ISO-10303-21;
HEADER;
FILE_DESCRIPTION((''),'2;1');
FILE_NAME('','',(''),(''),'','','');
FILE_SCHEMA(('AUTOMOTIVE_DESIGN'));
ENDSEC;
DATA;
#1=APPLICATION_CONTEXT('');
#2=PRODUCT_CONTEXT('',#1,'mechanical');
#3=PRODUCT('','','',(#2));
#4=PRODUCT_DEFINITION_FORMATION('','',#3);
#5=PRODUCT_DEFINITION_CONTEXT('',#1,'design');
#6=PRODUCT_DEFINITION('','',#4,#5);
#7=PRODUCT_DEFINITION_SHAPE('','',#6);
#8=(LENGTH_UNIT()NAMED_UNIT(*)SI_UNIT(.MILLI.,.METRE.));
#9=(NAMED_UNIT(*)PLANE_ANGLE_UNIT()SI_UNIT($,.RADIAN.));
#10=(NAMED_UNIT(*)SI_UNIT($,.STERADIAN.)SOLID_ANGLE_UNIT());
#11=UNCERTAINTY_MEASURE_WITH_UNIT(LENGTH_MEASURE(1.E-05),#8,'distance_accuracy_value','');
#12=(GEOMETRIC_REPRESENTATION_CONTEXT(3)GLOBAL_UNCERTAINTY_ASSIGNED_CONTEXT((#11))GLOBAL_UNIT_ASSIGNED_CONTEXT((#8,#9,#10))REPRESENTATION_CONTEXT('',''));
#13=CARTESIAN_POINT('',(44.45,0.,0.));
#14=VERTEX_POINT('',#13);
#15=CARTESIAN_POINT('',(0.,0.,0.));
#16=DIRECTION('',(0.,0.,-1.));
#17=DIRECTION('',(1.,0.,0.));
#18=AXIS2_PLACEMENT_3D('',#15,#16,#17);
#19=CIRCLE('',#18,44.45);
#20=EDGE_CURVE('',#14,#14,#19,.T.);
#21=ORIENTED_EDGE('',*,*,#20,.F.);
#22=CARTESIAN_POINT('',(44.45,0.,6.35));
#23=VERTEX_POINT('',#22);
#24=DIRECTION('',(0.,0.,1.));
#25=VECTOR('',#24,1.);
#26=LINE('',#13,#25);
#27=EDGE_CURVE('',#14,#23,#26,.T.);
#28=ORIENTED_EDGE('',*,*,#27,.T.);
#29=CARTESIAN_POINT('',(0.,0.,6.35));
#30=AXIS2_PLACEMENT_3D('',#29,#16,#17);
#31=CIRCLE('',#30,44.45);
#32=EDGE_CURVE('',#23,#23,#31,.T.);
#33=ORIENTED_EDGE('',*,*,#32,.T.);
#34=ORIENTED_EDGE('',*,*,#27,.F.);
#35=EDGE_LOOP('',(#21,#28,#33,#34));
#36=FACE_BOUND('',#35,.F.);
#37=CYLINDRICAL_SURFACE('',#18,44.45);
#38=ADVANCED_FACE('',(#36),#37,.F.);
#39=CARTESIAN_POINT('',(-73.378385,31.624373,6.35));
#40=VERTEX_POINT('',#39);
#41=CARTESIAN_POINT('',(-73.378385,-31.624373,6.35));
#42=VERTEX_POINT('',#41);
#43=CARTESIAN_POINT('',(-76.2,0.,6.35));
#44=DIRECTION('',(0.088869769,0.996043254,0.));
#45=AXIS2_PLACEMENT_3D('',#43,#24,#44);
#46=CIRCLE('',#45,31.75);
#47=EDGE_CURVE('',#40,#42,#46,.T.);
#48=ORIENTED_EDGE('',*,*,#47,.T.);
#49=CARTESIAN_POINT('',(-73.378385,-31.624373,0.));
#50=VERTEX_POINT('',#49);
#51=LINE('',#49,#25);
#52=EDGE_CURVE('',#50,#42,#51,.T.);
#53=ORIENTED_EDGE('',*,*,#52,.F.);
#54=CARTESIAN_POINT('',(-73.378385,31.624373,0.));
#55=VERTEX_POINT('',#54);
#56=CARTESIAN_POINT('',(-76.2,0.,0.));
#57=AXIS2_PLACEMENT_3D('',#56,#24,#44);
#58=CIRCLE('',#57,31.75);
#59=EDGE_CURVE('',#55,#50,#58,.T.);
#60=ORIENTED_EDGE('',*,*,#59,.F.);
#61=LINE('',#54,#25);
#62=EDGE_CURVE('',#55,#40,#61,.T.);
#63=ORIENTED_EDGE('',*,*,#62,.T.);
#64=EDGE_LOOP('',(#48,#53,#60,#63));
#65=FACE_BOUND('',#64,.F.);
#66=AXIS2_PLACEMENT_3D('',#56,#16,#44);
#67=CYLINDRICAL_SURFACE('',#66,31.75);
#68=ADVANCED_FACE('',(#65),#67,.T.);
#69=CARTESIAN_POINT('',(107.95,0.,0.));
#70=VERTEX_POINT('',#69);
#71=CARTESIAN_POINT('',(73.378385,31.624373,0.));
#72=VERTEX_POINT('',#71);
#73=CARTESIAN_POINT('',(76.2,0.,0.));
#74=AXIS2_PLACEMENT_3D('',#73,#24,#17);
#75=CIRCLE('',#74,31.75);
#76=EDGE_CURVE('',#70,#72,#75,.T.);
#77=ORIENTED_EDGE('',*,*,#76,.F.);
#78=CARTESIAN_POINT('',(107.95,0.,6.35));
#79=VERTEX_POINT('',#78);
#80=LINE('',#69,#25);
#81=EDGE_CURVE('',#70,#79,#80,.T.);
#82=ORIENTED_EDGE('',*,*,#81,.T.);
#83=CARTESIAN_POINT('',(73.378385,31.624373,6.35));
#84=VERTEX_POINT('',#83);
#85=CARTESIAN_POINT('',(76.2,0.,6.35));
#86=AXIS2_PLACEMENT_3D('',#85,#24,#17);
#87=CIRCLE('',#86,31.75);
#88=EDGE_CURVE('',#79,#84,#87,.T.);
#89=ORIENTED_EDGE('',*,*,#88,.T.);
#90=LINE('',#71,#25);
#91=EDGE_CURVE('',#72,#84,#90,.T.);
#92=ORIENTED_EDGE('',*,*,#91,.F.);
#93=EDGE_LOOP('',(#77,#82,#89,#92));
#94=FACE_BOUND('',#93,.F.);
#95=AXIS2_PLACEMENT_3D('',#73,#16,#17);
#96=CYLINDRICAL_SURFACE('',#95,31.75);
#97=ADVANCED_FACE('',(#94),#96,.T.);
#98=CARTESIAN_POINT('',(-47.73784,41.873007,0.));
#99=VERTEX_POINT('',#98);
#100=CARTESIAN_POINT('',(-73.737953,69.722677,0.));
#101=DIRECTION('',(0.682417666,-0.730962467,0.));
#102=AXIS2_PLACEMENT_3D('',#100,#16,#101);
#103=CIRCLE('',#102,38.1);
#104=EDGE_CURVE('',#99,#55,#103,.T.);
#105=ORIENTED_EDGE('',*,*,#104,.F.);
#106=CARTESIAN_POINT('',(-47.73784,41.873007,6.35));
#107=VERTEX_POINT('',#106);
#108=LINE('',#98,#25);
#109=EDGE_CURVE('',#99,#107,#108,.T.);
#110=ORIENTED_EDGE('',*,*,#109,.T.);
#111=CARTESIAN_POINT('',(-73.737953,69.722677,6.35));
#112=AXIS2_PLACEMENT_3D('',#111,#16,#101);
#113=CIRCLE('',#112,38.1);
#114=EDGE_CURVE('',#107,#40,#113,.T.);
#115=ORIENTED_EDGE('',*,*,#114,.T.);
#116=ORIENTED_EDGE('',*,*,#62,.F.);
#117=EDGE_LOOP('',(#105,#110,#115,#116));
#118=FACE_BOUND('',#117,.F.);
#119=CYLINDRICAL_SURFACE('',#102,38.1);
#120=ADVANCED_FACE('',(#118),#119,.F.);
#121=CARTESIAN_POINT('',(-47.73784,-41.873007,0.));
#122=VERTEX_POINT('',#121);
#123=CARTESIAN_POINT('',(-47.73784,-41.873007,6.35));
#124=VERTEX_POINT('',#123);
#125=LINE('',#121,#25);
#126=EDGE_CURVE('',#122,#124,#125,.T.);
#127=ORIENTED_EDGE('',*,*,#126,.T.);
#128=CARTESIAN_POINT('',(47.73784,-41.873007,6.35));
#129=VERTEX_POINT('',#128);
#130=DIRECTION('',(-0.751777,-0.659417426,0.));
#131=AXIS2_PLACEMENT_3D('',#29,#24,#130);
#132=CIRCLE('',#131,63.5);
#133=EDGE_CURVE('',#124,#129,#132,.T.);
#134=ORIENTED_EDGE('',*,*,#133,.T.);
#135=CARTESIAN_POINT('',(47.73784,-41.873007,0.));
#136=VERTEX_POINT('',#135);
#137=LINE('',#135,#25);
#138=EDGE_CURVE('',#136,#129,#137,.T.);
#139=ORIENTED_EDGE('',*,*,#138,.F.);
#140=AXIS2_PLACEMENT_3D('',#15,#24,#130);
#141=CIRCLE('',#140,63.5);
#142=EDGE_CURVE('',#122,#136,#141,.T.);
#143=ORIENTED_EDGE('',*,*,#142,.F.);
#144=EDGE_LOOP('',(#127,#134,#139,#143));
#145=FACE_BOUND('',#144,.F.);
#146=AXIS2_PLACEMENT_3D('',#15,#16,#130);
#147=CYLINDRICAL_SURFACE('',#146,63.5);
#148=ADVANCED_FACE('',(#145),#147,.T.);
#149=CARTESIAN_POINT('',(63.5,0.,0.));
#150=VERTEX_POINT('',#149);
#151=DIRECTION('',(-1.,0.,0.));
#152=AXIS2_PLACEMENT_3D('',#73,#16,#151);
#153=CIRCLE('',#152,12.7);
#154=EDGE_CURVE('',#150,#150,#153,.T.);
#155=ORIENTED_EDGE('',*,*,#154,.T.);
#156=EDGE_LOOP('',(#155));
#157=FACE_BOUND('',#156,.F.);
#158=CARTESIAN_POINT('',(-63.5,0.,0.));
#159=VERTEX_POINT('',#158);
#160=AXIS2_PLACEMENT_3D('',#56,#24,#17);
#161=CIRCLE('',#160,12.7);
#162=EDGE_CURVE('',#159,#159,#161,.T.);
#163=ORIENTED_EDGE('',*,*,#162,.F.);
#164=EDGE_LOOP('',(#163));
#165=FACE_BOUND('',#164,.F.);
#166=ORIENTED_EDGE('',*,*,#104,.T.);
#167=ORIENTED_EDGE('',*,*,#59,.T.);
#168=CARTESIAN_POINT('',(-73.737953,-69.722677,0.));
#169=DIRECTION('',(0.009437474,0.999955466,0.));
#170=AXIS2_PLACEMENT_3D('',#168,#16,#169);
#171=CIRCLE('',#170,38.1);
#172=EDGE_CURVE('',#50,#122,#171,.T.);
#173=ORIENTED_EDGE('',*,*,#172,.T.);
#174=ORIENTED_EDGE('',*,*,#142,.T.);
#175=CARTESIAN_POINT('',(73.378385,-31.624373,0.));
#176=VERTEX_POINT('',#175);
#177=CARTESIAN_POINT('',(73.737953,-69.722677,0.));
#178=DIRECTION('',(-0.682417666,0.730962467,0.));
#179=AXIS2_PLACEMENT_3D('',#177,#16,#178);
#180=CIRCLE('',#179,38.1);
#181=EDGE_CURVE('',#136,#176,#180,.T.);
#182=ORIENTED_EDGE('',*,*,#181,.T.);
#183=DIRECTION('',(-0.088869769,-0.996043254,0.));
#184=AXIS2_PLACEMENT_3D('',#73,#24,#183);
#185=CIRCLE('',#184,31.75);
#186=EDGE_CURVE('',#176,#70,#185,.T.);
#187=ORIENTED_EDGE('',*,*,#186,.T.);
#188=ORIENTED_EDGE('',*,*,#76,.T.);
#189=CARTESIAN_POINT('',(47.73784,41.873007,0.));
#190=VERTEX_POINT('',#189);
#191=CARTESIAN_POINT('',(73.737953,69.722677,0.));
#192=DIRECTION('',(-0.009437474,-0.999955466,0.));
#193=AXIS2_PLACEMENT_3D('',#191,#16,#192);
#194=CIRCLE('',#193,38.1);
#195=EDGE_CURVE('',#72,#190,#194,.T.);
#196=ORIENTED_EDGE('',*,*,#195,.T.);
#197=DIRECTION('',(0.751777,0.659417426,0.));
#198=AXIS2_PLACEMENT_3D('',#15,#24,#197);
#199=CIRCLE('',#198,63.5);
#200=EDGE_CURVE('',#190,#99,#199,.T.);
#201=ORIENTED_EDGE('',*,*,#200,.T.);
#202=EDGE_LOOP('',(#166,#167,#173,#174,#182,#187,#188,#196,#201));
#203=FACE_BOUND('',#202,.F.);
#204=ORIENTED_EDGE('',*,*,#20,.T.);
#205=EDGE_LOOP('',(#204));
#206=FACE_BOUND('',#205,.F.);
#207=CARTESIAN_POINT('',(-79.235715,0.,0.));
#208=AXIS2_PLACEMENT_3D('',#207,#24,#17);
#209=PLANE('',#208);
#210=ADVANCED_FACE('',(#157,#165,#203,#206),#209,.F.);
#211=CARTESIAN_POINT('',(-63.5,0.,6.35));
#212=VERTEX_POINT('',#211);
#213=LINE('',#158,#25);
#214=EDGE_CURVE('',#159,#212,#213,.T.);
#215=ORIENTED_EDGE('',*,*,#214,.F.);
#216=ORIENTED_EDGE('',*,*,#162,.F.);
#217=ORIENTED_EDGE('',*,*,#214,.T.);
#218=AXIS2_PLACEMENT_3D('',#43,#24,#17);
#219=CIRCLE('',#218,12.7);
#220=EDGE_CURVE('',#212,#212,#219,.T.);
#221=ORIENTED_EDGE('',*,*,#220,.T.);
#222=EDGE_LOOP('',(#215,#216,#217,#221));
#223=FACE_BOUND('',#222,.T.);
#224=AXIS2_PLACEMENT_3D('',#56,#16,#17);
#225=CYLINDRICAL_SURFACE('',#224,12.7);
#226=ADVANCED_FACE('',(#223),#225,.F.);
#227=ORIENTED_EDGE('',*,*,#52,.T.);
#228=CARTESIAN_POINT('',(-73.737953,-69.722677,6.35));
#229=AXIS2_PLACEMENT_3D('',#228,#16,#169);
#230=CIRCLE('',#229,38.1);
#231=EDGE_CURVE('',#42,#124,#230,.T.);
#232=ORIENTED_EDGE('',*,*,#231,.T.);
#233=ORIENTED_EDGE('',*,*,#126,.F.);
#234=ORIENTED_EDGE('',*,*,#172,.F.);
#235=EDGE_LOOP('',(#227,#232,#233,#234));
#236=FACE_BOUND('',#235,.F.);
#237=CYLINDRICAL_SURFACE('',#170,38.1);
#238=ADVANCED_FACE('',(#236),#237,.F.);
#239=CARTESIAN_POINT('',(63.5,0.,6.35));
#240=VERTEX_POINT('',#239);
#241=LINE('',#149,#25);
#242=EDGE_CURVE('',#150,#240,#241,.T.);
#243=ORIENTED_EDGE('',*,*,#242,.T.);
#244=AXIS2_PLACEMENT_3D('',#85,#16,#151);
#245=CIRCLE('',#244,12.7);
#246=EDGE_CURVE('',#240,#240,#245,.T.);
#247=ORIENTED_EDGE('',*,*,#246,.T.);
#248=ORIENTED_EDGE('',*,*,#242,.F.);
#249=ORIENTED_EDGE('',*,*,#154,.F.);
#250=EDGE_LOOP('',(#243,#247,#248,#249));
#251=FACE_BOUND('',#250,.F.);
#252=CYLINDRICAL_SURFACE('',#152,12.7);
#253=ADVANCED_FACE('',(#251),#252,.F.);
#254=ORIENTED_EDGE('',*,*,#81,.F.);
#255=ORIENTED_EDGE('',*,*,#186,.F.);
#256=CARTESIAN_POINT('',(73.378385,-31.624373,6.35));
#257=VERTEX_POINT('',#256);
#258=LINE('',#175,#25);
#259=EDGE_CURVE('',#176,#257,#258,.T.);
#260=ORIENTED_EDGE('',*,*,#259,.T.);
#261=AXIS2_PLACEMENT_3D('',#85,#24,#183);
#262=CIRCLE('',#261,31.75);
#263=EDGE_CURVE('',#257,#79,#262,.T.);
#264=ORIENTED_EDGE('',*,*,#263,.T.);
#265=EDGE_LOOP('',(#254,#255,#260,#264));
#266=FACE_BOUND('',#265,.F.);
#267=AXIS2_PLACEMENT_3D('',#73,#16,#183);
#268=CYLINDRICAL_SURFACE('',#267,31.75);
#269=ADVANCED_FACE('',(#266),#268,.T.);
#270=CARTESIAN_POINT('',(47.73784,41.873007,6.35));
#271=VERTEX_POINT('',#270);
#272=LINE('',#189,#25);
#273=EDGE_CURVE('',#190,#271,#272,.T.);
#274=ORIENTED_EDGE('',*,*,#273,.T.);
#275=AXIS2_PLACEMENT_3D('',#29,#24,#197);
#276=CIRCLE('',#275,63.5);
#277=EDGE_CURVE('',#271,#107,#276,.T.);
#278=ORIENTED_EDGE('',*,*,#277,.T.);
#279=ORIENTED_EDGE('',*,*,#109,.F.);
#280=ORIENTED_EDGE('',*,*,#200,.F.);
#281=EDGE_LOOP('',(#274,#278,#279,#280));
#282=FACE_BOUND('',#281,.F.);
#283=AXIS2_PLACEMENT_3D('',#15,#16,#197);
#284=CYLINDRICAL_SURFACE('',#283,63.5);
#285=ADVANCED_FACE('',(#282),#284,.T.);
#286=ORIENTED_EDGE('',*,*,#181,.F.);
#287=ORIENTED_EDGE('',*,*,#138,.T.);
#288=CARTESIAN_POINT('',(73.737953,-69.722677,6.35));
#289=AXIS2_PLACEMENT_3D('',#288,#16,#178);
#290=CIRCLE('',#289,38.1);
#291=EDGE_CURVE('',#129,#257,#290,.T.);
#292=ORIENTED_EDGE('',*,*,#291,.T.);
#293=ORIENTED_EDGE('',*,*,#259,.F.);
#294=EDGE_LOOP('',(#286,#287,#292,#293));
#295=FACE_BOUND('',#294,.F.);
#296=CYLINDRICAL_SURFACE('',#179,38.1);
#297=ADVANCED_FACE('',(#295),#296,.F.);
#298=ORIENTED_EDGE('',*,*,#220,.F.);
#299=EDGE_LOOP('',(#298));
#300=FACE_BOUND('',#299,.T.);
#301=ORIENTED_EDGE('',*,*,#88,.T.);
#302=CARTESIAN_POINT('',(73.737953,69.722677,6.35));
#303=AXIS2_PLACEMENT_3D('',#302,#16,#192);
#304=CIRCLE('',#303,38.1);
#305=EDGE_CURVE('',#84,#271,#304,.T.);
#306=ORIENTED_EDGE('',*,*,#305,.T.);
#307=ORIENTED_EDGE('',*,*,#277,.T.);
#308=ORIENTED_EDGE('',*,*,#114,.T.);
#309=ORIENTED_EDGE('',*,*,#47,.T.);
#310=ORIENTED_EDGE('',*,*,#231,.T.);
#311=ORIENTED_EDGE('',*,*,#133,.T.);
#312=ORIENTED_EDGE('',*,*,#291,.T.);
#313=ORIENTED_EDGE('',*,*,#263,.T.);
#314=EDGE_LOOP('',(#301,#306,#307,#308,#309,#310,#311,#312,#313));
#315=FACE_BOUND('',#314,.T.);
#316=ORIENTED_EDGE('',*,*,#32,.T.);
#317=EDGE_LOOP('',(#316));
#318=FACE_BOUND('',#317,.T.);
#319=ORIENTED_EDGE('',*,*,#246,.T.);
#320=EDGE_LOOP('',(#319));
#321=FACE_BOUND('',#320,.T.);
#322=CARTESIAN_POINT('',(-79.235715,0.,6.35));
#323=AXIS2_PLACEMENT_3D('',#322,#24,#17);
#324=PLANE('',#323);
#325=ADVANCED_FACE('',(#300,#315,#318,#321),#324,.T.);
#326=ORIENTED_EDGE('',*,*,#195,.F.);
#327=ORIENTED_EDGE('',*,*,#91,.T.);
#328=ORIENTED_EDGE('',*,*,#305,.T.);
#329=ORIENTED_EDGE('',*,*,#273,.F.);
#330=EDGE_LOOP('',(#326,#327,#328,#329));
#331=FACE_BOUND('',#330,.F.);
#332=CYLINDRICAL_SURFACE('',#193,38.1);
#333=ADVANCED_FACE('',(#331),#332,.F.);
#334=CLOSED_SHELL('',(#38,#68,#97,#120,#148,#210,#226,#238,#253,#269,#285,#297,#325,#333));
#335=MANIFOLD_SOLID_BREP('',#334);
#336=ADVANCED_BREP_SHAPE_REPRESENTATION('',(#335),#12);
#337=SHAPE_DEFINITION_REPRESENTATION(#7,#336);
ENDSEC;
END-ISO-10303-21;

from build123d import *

# Parameters (mm, degrees)
F0_R     = 12.7
F1_DEPTH = 6.35


with BuildPart() as f1:
    # F0 (on Top) → F1 (new body)
    with BuildSketch(Plane.XY):
        with BuildLine():
            ThreePointArc((-63.5, 0), (-62.0954029096, 13.2819779212), (-57.94375, 25.976370723))
            ThreePointArc((-57.94375, 25.976370723), (-65.2892675199, 29.8164118691), (-73.3783848407, 31.6243733202))
            ThreePointArc((-73.3783848407, 31.6243733202), (-107.95, 0), (-73.3783848407, -31.6243733202))
            ThreePointArc((-73.3783848407, -31.6243733202), (-65.2892675199, -29.8164118691), (-57.94375, -25.976370723))
            ThreePointArc((-57.94375, -25.976370723), (-62.0954029096, -13.2819779212), (-63.5, 0))
        make_face()
        with Locations((-76.2, 0)):
            Circle(F0_R, mode=Mode.SUBTRACT)
        with BuildLine():
            ThreePointArc((-57.94375, -25.976370723), (-48.024670033, -14.636026826), (-44.45, 0))
            ThreePointArc((-44.45, 0), (-48.024670033, 14.636026826), (-57.94375, 25.976370723))
            ThreePointArc((-57.94375, 25.976370723), (-62.0954029096, 13.2819779212), (-63.5, 0))
            ThreePointArc((-63.5, 0), (-62.0954029096, -13.2819779212), (-57.94375, -25.976370723))
        make_face()
        with BuildLine():
            ThreePointArc((57.94375, -25.976370723), (48.024670033, -14.636026826), (44.45, 0))
            ThreePointArc((44.45, 0), (0, -44.45), (-44.45, 0))
            ThreePointArc((-44.45, 0), (-48.024670033, -14.636026826), (-57.94375, -25.976370723))
            ThreePointArc((-57.94375, -25.976370723), (-53.4352444367, -34.3063354497), (-47.7378395074, -41.8730065694))
            ThreePointArc((-47.7378395074, -41.8730065694), (0, -63.5), (47.7378395074, -41.8730065694))
            ThreePointArc((47.7378395074, -41.8730065694), (53.4352444367, -34.3063354497), (57.94375, -25.976370723))
        make_face()
        with BuildLine():
            ThreePointArc((-47.7378395074, -41.8730065694), (-53.4352444367, -34.3063354497), (-57.94375, -25.976370723))
            ThreePointArc((-57.94375, -25.976370723), (-65.2892675199, -29.8164118691), (-73.3783848407, -31.6243733202))
            ThreePointArc((-73.3783848407, -31.6243733202), (-59.5969903083, -34.344106995), (-47.7378395074, -41.8730065694))
        make_face()
        with BuildLine():
            ThreePointArc((-73.3783848407, 31.6243733202), (-65.2892675199, 29.8164118691), (-57.94375, 25.976370723))
            ThreePointArc((-57.94375, 25.976370723), (-53.4352444367, 34.3063354497), (-47.7378395074, 41.8730065694))
            ThreePointArc((-47.7378395074, 41.8730065694), (-59.5969903083, 34.344106995), (-73.3783848407, 31.6243733202))
        make_face()
        with BuildLine():
            ThreePointArc((-44.45, 0), (0, 44.45), (44.45, 0))
            ThreePointArc((44.45, 0), (48.024670033, 14.636026826), (57.94375, 25.976370723))
            ThreePointArc((57.94375, 25.976370723), (53.4352444367, 34.3063354497), (47.7378395074, 41.8730065694))
            ThreePointArc((47.7378395074, 41.8730065694), (0, 63.5), (-47.7378395074, 41.8730065694))
            ThreePointArc((-47.7378395074, 41.8730065694), (-53.4352444367, 34.3063354497), (-57.94375, 25.976370723))
            ThreePointArc((-57.94375, 25.976370723), (-48.024670033, 14.636026826), (-44.45, 0))
        make_face()
        with BuildLine():
            ThreePointArc((73.3783848407, 31.6243733202), (65.2892675199, 29.8164118691), (57.94375, 25.976370723))
            ThreePointArc((57.94375, 25.976370723), (62.0954029096, 13.2819779212), (63.5, 0))
            ThreePointArc((63.5, 0), (62.0954029096, -13.2819779212), (57.94375, -25.976370723))
            ThreePointArc((57.94375, -25.976370723), (65.2892675199, -29.8164118691), (73.3783848407, -31.6243733202))
            ThreePointArc((73.3783848407, -31.6243733202), (97.6298415614, -23.4270013159), (107.95, 0))
            ThreePointArc((107.95, 0), (97.6298415614, 23.4270013159), (73.3783848407, 31.6243733202))
        make_face()
        with BuildLine():
            ThreePointArc((88.9, 0), (76.2, -12.7), (63.5, 0))
            ThreePointArc((63.5, 0), (76.2, 12.7), (88.9, 0))
        make_face(mode=Mode.SUBTRACT)
        with BuildLine():
            ThreePointArc((57.94375, 25.976370723), (48.024670033, 14.636026826), (44.45, 0))
            ThreePointArc((44.45, 0), (48.024670033, -14.636026826), (57.94375, -25.976370723))
            ThreePointArc((57.94375, -25.976370723), (62.0954029096, -13.2819779212), (63.5, 0))
            ThreePointArc((63.5, 0), (62.0954029096, 13.2819779212), (57.94375, 25.976370723))
        make_face()
        with BuildLine():
            ThreePointArc((47.7378395074, 41.8730065694), (53.4352444367, 34.3063354497), (57.94375, 25.976370723))
            ThreePointArc((57.94375, 25.976370723), (65.2892675199, 29.8164118691), (73.3783848407, 31.6243733202))
            ThreePointArc((73.3783848407, 31.6243733202), (59.5969903083, 34.344106995), (47.7378395074, 41.8730065694))
        make_face()
        with BuildLine():
            ThreePointArc((73.3783848407, -31.6243733202), (65.2892675199, -29.8164118691), (57.94375, -25.976370723))
            ThreePointArc((57.94375, -25.976370723), (53.4352444367, -34.3063354497), (47.7378395074, -41.8730065694))
            ThreePointArc((47.7378395074, -41.8730065694), (59.5969903083, -34.344106995), (73.3783848407, -31.6243733202))
        make_face()
    extrude(amount=F1_DEPTH)


solid = f1.part
